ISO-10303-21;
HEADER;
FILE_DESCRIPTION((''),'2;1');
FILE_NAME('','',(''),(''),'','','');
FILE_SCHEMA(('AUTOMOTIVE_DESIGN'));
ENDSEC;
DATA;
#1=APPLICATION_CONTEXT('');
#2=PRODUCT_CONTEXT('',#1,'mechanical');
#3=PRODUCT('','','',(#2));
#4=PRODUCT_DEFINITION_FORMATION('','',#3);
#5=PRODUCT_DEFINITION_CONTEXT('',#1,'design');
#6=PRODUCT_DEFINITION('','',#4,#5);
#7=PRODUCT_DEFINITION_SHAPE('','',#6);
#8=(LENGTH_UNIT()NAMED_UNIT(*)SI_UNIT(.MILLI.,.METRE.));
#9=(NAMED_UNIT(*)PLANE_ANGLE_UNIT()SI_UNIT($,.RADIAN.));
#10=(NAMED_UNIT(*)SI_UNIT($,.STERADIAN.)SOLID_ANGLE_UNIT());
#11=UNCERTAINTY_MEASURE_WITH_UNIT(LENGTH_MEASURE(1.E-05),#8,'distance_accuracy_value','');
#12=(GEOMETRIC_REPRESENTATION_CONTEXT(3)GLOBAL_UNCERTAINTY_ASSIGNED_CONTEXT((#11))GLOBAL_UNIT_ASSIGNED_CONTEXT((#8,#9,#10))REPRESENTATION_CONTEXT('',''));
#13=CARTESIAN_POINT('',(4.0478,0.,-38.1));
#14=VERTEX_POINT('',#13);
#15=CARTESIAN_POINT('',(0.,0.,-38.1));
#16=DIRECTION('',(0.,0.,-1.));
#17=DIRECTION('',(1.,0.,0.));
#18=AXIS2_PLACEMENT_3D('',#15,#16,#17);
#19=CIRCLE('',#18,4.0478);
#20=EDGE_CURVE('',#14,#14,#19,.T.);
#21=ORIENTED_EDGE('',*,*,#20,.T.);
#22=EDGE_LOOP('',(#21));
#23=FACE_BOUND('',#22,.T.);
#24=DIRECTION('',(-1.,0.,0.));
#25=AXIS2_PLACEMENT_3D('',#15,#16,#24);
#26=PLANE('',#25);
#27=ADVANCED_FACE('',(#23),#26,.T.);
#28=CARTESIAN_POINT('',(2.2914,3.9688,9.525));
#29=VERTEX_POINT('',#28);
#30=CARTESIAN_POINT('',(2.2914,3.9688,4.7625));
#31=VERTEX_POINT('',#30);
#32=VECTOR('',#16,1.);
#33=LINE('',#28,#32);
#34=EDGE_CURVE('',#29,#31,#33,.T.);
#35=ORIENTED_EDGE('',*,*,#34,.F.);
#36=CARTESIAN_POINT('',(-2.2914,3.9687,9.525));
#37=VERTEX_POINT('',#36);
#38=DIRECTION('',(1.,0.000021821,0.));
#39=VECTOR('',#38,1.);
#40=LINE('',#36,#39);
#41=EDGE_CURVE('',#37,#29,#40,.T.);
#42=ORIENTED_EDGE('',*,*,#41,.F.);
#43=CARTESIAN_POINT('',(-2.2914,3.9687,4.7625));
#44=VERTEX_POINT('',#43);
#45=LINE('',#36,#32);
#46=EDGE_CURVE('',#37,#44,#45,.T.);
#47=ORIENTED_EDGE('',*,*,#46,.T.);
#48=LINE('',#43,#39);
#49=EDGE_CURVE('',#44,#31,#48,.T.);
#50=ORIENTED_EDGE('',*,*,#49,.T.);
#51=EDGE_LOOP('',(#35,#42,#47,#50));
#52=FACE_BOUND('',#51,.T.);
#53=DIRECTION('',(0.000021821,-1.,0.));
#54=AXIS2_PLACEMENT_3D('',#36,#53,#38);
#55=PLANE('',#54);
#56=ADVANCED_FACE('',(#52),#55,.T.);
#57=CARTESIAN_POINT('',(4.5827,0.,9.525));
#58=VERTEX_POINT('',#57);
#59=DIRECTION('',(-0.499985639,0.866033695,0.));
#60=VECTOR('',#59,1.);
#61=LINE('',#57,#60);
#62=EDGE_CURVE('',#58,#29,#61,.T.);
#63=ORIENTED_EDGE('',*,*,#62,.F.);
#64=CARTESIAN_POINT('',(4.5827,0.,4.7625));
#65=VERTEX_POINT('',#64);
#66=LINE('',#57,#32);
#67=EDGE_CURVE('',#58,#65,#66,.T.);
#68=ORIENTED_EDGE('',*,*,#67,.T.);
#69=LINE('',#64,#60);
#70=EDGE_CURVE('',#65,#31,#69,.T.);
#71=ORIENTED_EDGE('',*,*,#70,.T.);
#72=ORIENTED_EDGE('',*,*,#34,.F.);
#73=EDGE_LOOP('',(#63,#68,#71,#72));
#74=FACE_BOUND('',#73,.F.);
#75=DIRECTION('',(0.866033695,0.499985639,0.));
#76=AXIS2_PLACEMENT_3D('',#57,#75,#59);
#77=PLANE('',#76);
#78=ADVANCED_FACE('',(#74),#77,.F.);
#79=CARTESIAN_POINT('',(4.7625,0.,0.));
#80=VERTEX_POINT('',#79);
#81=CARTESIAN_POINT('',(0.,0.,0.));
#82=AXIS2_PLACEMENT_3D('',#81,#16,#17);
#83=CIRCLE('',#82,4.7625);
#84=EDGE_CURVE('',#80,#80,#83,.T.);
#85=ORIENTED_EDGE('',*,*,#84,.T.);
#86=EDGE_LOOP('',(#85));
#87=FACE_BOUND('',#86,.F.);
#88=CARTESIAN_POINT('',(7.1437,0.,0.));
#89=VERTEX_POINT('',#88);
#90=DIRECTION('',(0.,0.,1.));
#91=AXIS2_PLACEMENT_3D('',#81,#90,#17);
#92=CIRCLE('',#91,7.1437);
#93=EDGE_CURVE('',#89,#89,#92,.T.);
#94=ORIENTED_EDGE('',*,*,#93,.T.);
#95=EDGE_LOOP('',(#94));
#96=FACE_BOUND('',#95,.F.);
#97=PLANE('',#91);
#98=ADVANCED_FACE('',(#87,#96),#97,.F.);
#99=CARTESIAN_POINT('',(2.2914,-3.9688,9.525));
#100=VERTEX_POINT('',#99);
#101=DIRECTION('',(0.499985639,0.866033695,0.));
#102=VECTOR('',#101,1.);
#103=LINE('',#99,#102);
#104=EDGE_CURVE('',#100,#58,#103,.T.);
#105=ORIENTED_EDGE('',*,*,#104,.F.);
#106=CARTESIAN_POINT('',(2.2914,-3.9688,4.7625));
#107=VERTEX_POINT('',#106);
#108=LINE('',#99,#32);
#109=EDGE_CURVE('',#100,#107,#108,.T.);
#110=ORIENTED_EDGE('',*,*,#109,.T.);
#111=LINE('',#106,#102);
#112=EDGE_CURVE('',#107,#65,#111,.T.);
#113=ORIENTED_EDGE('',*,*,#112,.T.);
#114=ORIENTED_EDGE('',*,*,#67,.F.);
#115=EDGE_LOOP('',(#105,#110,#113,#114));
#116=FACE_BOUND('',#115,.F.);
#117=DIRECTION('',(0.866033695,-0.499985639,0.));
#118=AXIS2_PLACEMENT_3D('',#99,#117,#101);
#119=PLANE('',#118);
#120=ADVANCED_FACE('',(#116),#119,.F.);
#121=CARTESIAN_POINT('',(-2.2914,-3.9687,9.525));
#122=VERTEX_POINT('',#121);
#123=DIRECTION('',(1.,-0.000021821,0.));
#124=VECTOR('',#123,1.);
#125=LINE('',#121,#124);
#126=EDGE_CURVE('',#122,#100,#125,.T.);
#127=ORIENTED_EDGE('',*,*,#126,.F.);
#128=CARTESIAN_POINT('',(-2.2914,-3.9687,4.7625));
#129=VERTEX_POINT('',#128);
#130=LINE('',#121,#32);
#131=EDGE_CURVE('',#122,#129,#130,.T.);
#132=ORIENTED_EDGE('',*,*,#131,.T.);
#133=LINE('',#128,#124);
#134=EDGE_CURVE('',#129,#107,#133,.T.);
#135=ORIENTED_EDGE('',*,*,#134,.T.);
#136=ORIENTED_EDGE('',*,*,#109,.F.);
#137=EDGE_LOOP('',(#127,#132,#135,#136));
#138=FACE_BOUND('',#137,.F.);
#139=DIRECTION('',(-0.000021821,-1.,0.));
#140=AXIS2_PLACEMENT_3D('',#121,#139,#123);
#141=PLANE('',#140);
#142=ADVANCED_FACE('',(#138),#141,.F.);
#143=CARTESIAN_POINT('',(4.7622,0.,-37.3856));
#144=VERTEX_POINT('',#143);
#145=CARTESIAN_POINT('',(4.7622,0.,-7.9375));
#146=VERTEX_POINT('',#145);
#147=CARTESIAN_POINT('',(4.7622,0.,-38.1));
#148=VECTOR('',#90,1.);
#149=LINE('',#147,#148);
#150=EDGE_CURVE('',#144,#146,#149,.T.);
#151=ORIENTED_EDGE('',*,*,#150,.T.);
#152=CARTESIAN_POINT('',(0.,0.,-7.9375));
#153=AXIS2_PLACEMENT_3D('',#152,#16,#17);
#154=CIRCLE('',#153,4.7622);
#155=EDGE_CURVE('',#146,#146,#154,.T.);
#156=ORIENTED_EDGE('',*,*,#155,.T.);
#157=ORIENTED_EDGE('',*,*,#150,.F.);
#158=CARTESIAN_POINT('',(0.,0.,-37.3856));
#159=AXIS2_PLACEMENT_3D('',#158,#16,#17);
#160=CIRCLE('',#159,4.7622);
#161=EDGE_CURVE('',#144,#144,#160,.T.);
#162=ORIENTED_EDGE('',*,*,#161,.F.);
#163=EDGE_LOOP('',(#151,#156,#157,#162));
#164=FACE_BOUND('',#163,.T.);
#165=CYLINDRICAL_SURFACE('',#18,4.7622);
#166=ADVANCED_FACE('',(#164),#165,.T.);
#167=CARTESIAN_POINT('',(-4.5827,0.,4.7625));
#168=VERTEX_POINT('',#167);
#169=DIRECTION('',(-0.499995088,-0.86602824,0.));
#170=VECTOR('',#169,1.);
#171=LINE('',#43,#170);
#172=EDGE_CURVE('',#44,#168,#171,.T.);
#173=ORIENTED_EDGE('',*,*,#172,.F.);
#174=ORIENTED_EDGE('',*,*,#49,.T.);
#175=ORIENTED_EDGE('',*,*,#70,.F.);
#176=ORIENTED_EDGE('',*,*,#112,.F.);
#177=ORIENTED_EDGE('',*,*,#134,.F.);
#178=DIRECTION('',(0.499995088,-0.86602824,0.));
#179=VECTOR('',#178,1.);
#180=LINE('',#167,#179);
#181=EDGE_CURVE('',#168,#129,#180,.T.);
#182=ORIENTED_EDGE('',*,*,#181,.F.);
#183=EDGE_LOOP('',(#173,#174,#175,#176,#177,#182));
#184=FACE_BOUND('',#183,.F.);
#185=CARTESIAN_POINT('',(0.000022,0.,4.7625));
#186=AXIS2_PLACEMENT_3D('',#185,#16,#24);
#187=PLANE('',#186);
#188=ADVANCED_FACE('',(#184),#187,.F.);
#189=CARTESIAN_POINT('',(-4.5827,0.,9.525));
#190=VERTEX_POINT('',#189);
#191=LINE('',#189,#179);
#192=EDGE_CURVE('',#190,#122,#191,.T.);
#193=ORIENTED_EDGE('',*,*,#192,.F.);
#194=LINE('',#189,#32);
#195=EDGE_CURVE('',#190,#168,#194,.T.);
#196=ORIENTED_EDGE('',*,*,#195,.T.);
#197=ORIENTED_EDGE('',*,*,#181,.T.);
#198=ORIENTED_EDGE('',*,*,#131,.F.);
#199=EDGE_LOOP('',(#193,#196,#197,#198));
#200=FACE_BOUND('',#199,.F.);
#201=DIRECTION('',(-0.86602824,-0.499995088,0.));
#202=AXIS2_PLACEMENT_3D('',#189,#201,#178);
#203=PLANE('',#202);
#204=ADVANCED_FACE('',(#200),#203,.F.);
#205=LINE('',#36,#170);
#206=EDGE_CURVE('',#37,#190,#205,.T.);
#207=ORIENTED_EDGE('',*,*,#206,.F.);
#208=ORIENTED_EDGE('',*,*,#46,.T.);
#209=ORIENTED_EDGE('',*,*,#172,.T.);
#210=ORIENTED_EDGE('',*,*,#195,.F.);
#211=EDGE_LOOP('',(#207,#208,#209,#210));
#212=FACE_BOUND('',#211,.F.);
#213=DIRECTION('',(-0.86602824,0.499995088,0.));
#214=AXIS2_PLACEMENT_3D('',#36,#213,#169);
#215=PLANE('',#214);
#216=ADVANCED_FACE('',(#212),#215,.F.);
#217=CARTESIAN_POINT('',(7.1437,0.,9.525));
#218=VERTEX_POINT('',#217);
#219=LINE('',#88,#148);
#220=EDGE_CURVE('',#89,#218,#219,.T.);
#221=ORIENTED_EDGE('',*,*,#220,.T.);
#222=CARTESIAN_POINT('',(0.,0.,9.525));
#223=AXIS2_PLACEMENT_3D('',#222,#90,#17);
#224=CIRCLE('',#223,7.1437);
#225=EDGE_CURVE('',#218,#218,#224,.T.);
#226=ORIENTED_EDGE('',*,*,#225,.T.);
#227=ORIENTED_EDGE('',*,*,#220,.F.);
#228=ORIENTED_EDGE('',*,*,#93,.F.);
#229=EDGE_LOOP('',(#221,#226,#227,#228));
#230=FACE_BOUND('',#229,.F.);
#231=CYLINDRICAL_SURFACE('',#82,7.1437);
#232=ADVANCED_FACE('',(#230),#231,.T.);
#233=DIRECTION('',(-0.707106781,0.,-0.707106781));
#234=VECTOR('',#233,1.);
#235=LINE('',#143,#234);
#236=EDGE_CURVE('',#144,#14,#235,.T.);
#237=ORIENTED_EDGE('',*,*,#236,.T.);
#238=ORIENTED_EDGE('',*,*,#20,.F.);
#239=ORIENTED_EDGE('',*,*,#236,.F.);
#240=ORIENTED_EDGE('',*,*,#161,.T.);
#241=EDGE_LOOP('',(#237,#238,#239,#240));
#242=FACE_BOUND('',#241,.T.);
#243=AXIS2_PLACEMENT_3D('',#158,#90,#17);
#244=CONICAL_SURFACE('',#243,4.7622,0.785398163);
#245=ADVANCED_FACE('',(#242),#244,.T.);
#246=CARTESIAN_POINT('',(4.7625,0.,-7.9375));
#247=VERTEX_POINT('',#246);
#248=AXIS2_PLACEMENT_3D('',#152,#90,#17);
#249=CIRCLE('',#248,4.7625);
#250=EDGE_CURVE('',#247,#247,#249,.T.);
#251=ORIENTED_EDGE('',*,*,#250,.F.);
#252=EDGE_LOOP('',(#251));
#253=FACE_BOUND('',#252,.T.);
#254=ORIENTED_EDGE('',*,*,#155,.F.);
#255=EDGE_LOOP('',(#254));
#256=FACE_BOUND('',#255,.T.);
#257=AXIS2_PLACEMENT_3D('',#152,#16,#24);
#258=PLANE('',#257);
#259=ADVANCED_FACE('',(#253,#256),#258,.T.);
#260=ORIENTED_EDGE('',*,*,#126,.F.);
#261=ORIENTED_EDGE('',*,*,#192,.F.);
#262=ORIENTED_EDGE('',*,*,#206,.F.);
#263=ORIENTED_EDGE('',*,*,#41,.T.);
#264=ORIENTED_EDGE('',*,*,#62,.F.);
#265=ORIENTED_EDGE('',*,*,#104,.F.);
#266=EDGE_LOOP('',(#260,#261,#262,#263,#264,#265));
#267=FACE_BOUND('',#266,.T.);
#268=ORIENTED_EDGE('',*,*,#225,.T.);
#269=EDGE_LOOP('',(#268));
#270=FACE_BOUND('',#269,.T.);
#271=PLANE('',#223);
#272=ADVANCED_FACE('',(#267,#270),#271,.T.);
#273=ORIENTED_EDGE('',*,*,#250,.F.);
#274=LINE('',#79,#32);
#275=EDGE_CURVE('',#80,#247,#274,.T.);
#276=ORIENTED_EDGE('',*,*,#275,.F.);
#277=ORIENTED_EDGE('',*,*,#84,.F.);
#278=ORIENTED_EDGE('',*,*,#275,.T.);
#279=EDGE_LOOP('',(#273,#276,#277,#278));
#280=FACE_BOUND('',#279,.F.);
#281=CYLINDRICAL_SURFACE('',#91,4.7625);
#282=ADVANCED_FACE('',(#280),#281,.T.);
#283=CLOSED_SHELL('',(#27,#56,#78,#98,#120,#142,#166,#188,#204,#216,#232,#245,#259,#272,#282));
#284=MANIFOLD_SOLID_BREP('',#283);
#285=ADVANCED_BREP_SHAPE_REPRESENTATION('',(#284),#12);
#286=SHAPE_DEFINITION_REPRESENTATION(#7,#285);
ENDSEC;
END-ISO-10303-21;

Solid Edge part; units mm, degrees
sketch "Sketch1" plane through (0, 0, 0) normal (0, 0, 1) x (1, 0, 0)
  circle A0 centre (0, 0) radius 7.1437
  dimension "D1" = 14.2875
extrude "Protrusion1" add sketch "Sketch1" along normal blind 9.525
sketch "Sketch2" plane through (0, 0, 0) normal (0, 0, -1) x (1, 0, 0)
  circle A0 centre (0, 0) radius 4.7625
extrude "Protrusion2" add sketch "Sketch2" along normal blind 38.1
sketch "Sketch3" plane through (0, 0, -38.1) normal (0, 0, -1) x (1, 0, 0)
  circle A0 centre (0, 0) radius 4.7622
extrude "Cutout1" cut sketch "Sketch3" against normal blind 30.1625 flip side to cut
chamfer "Chamfer_1" distance 0.7144 angle 45 1 edges at (-4.7622, 0, -38.1)
sketch "Sketch4" plane through (0, 0, 9.525) normal (0, 0, 1) x (1, 0, 0)
  line L0 (-2.2914, 3.9687) -> (2.2914, 3.9688)
  line L1 (4.5827, 0) -> (2.2914, 3.9688)
  line L2 (2.2914, -3.9688) -> (4.5827, 0)
  line L3 (-2.2914, -3.9687) -> (2.2914, -3.9688)
  line L4 (-4.5827, 0) -> (-2.2914, -3.9688)
  line L5 (-2.2914, 3.9688) -> (-4.5827, 0)
  dimension "D1" = 7.9375
extrude "Cutout2" cut sketch "Sketch4" against normal blind 4.7625
properties part number "24100555"
